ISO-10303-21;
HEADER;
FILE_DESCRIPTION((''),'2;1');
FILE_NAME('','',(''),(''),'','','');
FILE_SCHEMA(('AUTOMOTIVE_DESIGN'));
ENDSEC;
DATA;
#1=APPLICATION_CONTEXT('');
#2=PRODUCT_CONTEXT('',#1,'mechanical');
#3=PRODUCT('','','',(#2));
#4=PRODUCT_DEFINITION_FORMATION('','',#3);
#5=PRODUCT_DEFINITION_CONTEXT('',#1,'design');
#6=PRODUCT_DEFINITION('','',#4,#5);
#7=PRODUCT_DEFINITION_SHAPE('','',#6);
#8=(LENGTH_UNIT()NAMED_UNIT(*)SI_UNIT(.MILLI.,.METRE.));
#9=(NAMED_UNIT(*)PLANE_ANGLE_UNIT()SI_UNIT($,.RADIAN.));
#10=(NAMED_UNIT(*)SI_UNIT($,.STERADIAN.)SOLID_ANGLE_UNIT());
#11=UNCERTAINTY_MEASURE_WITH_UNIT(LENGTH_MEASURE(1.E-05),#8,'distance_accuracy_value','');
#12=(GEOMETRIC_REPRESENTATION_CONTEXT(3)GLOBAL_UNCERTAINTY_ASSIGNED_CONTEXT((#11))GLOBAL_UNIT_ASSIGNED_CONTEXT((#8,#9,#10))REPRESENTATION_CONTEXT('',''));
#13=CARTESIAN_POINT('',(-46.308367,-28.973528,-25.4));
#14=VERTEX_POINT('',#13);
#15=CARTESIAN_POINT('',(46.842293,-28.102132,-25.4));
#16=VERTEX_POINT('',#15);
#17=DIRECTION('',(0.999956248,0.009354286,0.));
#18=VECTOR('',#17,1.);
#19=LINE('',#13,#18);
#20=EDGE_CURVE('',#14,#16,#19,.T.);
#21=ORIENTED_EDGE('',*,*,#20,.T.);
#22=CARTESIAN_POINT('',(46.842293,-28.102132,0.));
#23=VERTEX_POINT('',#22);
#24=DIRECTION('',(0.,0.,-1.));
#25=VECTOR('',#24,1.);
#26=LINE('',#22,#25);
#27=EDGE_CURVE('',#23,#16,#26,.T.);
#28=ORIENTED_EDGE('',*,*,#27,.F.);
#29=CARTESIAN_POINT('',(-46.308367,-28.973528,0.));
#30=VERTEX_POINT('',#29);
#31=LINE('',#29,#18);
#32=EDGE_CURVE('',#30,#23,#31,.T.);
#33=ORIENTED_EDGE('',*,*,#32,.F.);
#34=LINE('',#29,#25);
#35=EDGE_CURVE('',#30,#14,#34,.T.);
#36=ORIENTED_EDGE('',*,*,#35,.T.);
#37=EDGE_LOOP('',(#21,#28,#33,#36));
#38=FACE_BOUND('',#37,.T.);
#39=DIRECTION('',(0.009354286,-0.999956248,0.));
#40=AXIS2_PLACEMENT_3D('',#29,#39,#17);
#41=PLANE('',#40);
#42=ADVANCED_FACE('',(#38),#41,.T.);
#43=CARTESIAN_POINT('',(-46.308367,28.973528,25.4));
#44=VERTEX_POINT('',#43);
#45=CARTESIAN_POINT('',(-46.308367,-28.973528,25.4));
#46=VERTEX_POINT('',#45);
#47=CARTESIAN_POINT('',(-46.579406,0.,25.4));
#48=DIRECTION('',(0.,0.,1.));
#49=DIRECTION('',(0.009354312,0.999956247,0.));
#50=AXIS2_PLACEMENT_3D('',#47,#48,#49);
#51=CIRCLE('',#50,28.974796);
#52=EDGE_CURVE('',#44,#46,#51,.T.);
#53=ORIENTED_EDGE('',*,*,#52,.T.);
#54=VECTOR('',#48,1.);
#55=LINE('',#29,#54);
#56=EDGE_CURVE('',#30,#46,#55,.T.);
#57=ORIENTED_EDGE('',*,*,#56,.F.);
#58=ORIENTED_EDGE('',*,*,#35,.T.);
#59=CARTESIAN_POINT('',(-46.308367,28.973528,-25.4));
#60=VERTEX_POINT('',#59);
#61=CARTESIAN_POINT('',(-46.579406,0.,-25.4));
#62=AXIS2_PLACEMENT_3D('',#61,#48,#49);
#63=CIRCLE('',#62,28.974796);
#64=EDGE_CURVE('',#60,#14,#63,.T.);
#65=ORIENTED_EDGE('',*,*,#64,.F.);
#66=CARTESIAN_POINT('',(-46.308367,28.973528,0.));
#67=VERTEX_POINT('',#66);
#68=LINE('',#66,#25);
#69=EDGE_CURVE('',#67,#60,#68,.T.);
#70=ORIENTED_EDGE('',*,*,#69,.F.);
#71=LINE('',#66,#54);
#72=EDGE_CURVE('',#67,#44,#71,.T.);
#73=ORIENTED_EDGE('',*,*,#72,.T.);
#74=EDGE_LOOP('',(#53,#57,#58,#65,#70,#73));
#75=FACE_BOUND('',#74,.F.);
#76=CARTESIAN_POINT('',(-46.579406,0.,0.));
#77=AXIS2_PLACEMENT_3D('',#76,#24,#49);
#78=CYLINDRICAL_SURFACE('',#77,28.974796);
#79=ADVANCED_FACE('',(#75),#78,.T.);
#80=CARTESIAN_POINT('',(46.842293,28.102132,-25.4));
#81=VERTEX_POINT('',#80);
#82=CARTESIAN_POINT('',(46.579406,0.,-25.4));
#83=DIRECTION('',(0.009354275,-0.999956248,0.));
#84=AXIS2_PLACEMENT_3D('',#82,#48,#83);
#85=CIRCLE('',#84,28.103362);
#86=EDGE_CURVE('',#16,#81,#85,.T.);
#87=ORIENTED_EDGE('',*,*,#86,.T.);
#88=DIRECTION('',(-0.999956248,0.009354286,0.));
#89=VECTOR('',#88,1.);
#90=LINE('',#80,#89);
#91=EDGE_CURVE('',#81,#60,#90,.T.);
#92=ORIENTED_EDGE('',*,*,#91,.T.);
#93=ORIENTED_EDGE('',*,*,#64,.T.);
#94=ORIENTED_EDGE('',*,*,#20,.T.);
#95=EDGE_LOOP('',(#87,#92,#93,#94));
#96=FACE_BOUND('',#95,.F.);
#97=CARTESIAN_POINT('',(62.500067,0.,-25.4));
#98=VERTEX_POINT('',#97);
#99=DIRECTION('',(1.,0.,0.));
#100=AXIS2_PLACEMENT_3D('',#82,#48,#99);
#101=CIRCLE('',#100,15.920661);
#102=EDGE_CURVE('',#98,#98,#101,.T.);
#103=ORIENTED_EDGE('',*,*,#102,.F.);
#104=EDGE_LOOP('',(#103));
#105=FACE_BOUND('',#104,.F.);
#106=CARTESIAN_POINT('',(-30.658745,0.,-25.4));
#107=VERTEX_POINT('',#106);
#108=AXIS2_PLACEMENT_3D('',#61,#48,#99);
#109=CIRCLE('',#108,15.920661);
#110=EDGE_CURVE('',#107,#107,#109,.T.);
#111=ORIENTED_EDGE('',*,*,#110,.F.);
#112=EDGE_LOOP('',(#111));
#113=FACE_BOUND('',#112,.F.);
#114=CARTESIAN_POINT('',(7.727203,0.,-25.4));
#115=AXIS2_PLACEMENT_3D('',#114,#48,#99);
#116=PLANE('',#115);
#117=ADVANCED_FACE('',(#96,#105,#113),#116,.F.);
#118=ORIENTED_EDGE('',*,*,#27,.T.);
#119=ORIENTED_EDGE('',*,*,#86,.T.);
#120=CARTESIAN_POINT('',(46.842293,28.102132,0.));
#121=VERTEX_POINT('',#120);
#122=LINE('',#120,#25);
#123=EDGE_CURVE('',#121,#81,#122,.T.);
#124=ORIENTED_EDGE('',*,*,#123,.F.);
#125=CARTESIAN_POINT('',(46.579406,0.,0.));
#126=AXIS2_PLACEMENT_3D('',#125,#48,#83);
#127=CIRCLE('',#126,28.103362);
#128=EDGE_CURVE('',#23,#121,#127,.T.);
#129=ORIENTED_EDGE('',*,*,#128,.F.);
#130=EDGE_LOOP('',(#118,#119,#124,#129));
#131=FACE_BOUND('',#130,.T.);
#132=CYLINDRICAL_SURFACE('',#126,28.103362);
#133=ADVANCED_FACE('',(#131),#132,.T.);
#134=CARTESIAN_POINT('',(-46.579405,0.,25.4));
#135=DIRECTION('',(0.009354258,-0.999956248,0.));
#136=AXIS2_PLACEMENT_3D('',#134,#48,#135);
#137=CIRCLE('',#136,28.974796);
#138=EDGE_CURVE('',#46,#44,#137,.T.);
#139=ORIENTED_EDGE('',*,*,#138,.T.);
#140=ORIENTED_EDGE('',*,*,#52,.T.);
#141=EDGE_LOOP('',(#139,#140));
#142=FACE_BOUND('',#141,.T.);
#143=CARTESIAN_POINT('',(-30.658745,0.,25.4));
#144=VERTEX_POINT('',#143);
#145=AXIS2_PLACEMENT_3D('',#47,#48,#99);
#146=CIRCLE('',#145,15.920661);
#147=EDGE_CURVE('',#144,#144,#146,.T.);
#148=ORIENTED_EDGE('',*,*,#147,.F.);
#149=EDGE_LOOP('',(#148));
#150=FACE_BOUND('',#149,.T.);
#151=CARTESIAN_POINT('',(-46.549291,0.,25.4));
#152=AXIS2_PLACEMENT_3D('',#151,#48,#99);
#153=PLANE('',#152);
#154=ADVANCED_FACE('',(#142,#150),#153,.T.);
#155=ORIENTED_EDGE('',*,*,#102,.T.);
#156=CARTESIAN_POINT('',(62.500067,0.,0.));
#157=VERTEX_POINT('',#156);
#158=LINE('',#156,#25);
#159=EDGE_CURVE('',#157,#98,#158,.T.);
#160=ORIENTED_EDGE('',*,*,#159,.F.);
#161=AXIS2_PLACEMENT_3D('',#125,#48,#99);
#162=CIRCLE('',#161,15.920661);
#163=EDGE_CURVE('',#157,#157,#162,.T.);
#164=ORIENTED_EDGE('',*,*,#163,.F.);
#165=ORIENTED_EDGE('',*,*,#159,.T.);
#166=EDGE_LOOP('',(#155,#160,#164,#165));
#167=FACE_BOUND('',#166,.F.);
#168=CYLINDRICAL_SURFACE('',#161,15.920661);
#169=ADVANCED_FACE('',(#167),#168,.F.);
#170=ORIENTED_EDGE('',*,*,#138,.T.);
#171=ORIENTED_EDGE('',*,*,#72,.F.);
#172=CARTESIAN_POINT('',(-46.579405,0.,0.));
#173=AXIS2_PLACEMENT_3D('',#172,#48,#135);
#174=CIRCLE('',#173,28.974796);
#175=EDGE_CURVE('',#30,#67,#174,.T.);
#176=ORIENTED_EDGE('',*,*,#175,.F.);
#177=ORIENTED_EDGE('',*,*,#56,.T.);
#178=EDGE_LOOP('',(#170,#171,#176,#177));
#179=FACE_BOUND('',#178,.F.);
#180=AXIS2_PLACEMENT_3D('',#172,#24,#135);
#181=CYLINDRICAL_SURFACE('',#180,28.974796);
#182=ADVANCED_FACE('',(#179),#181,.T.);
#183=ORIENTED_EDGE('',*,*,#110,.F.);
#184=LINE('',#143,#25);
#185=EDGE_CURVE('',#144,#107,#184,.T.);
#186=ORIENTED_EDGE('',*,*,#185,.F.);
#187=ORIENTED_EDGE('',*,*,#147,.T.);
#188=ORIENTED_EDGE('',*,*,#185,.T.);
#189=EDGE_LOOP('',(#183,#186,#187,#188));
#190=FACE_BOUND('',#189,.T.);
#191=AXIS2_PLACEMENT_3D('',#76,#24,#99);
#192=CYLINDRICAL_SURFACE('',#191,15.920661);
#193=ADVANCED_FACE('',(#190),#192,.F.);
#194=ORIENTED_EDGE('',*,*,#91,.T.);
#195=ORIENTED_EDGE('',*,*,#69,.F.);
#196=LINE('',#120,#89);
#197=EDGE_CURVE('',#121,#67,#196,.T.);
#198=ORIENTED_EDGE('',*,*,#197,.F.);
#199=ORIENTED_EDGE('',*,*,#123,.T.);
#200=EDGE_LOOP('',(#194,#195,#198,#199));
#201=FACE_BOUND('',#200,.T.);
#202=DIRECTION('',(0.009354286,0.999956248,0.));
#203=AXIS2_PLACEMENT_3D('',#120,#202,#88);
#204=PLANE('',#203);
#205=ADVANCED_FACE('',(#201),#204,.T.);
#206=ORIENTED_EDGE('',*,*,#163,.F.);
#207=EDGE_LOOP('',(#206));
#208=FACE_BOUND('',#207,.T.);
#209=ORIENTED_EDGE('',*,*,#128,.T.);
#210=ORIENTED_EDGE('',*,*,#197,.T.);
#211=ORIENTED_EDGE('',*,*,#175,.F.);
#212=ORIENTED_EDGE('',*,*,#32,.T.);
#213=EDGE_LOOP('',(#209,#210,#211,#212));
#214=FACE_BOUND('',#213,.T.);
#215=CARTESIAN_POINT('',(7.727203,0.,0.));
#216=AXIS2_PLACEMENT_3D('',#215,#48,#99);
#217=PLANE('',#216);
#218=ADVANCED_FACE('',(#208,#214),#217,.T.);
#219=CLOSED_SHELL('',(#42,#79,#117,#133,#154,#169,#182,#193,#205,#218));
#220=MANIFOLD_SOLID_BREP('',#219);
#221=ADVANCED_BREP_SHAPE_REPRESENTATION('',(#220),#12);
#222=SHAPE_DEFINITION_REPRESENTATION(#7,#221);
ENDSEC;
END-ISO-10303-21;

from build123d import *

# Parameters (mm, degrees)
F0_R     = 15.920661
F1_DEPTH = 25.4
F2_DEPTH = 25.4


with BuildPart() as f1:
    # F0 (on Top) → F1 (new body)
    with BuildSketch(Plane.XY):
        with BuildLine():
            Line((46.842293, 28.102132), (-46.308367, 28.973528))
            ThreePointArc((-46.308367, 28.973528), (-17.604609, 0), (-46.308367, -28.973528))
            Line((-46.308367, -28.973528), (46.842293, -28.102132))
            ThreePointArc((46.842293, -28.102132), (74.682768, 0), (46.842293, 28.102132))
        make_face()
        with Locations((46.579406, 0)):
            Circle(F0_R, mode=Mode.SUBTRACT)
        with BuildLine():
            ThreePointArc((-46.308367, -28.973528), (-17.604609, 0), (-46.308367, 28.973528))
            ThreePointArc((-46.308367, 28.973528), (-75.554202, 0), (-46.308367, -28.973528))
        make_face()
        with Locations((-46.579406, 0)):
            Circle(F0_R, mode=Mode.SUBTRACT)
    extrude(amount=-F1_DEPTH)

    # F0 (on Top) → F2 (join)
    with BuildSketch(Plane.XY):
        with BuildLine():
            ThreePointArc((-46.308367, -28.973528), (-17.604609, 0), (-46.308367, 28.973528))
            ThreePointArc((-46.308367, 28.973528), (-75.554202, 0), (-46.308367, -28.973528))
        make_face()
        with Locations((-46.579406, 0)):
            Circle(F0_R, mode=Mode.SUBTRACT)
    extrude(amount=F2_DEPTH)


solid = f1.part
